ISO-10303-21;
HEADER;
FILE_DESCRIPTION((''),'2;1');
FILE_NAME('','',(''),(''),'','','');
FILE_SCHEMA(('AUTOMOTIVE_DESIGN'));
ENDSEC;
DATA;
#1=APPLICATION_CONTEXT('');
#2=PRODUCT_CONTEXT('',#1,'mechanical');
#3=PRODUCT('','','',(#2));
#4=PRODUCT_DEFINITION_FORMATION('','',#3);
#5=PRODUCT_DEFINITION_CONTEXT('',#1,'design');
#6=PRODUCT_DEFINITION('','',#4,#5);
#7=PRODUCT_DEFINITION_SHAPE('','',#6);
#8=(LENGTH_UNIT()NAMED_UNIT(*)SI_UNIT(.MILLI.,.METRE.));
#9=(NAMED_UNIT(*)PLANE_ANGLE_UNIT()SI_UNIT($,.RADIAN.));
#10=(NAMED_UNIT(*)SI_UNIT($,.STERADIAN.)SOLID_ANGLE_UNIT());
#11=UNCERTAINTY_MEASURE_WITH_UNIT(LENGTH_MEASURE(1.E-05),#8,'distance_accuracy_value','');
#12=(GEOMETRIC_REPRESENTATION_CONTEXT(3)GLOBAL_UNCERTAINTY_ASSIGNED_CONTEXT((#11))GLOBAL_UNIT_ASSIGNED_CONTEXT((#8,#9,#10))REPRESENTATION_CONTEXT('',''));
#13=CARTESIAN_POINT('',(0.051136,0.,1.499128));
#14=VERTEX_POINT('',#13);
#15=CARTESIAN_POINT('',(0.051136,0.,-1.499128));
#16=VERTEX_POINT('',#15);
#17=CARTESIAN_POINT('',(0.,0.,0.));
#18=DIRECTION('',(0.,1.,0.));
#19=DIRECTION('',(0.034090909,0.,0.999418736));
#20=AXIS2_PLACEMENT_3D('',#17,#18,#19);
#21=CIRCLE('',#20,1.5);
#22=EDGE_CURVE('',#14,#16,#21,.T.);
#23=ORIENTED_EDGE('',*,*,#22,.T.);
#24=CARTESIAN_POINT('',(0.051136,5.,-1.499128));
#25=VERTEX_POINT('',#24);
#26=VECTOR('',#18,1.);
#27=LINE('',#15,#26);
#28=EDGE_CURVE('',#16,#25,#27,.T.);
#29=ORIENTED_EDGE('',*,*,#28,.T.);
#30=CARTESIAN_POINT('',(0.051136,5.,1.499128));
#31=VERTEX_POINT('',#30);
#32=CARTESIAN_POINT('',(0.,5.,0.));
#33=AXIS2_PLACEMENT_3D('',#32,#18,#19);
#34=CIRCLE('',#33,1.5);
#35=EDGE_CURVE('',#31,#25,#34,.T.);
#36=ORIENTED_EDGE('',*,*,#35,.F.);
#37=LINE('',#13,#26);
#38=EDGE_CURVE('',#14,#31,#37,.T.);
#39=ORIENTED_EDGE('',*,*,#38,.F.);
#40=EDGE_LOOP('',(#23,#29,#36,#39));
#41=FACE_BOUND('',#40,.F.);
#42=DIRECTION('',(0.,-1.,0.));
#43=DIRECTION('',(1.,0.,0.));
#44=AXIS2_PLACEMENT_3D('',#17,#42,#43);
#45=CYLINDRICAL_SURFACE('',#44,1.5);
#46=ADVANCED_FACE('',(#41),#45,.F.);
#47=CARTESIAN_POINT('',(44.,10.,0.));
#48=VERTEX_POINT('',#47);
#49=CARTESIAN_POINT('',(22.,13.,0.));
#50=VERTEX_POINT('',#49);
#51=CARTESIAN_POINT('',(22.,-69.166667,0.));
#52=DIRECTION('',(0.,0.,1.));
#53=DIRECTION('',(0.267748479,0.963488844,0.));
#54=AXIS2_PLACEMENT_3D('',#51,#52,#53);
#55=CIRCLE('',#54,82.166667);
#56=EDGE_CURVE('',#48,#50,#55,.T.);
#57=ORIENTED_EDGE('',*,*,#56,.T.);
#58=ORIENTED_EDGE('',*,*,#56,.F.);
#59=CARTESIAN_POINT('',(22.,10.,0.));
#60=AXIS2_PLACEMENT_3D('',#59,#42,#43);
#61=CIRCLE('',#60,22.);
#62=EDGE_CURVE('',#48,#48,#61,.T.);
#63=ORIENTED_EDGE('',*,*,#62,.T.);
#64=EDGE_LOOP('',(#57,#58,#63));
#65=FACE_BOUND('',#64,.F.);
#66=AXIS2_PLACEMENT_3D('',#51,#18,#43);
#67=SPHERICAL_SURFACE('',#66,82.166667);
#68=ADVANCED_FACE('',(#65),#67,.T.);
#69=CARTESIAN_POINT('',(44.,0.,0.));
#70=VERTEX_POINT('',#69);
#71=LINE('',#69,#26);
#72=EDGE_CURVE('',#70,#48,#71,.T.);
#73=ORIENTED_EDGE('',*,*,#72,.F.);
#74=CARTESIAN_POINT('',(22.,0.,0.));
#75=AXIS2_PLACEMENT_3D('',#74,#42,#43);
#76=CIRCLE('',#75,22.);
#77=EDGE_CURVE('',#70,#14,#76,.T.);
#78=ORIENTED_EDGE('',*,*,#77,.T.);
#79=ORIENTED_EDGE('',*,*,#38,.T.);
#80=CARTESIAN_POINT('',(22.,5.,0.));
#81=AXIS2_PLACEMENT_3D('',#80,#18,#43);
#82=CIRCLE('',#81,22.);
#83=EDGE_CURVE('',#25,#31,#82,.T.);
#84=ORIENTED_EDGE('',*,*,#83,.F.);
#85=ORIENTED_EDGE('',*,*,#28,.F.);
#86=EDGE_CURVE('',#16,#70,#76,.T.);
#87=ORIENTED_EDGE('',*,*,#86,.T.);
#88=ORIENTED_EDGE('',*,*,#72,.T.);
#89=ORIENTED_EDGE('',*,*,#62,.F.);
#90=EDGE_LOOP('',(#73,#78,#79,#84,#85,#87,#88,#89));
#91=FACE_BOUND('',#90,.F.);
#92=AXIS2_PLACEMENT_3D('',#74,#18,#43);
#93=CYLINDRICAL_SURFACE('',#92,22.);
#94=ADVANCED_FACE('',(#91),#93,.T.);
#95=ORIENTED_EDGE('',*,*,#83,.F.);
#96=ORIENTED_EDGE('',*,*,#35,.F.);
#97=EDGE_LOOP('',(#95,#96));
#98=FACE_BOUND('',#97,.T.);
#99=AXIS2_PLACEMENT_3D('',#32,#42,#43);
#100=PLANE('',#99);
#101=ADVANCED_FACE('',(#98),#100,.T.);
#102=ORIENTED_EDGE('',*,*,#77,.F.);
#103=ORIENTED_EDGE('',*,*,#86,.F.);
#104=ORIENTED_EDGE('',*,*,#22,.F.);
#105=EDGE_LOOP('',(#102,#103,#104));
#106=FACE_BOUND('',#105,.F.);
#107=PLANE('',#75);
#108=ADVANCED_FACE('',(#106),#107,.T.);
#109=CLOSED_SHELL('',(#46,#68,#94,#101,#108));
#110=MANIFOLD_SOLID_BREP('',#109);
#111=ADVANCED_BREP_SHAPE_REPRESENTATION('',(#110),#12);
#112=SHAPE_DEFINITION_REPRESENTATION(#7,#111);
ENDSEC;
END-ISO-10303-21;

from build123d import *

# Parameters (mm, degrees)
SKETCH2_R          = 1.5
CUT_EXTRUDE1_DEPTH = 5


with BuildPart() as part:
    # Sketch1 → Revolve1 (revolve)
    with BuildSketch(Plane.XY, mode=Mode.PRIVATE) as revolve1_sk:
        with BuildLine():
            Line((22, 0), (0, 0))
            Line((0, 0), (0, 10))
            ThreePointArc((0, 10), (10.898198344, 12.246545474), (22, 13))
            Line((22, 13), (22, 0))
        make_face()
    revolve(revolve1_sk.sketch.rotate(Axis((22, 29.706407995, 0), (0, -1, 0)), 180), axis=Axis((22, 29.706407995, 0), (0, -1, 0)))  # turned: the seam where the file's is

    # Sketch2 → Cut-Extrude1 (cut)
    with BuildSketch(Plane.XZ):
        Circle(SKETCH2_R)
    extrude(amount=-CUT_EXTRUDE1_DEPTH, mode=Mode.SUBTRACT)


solid = part.part
